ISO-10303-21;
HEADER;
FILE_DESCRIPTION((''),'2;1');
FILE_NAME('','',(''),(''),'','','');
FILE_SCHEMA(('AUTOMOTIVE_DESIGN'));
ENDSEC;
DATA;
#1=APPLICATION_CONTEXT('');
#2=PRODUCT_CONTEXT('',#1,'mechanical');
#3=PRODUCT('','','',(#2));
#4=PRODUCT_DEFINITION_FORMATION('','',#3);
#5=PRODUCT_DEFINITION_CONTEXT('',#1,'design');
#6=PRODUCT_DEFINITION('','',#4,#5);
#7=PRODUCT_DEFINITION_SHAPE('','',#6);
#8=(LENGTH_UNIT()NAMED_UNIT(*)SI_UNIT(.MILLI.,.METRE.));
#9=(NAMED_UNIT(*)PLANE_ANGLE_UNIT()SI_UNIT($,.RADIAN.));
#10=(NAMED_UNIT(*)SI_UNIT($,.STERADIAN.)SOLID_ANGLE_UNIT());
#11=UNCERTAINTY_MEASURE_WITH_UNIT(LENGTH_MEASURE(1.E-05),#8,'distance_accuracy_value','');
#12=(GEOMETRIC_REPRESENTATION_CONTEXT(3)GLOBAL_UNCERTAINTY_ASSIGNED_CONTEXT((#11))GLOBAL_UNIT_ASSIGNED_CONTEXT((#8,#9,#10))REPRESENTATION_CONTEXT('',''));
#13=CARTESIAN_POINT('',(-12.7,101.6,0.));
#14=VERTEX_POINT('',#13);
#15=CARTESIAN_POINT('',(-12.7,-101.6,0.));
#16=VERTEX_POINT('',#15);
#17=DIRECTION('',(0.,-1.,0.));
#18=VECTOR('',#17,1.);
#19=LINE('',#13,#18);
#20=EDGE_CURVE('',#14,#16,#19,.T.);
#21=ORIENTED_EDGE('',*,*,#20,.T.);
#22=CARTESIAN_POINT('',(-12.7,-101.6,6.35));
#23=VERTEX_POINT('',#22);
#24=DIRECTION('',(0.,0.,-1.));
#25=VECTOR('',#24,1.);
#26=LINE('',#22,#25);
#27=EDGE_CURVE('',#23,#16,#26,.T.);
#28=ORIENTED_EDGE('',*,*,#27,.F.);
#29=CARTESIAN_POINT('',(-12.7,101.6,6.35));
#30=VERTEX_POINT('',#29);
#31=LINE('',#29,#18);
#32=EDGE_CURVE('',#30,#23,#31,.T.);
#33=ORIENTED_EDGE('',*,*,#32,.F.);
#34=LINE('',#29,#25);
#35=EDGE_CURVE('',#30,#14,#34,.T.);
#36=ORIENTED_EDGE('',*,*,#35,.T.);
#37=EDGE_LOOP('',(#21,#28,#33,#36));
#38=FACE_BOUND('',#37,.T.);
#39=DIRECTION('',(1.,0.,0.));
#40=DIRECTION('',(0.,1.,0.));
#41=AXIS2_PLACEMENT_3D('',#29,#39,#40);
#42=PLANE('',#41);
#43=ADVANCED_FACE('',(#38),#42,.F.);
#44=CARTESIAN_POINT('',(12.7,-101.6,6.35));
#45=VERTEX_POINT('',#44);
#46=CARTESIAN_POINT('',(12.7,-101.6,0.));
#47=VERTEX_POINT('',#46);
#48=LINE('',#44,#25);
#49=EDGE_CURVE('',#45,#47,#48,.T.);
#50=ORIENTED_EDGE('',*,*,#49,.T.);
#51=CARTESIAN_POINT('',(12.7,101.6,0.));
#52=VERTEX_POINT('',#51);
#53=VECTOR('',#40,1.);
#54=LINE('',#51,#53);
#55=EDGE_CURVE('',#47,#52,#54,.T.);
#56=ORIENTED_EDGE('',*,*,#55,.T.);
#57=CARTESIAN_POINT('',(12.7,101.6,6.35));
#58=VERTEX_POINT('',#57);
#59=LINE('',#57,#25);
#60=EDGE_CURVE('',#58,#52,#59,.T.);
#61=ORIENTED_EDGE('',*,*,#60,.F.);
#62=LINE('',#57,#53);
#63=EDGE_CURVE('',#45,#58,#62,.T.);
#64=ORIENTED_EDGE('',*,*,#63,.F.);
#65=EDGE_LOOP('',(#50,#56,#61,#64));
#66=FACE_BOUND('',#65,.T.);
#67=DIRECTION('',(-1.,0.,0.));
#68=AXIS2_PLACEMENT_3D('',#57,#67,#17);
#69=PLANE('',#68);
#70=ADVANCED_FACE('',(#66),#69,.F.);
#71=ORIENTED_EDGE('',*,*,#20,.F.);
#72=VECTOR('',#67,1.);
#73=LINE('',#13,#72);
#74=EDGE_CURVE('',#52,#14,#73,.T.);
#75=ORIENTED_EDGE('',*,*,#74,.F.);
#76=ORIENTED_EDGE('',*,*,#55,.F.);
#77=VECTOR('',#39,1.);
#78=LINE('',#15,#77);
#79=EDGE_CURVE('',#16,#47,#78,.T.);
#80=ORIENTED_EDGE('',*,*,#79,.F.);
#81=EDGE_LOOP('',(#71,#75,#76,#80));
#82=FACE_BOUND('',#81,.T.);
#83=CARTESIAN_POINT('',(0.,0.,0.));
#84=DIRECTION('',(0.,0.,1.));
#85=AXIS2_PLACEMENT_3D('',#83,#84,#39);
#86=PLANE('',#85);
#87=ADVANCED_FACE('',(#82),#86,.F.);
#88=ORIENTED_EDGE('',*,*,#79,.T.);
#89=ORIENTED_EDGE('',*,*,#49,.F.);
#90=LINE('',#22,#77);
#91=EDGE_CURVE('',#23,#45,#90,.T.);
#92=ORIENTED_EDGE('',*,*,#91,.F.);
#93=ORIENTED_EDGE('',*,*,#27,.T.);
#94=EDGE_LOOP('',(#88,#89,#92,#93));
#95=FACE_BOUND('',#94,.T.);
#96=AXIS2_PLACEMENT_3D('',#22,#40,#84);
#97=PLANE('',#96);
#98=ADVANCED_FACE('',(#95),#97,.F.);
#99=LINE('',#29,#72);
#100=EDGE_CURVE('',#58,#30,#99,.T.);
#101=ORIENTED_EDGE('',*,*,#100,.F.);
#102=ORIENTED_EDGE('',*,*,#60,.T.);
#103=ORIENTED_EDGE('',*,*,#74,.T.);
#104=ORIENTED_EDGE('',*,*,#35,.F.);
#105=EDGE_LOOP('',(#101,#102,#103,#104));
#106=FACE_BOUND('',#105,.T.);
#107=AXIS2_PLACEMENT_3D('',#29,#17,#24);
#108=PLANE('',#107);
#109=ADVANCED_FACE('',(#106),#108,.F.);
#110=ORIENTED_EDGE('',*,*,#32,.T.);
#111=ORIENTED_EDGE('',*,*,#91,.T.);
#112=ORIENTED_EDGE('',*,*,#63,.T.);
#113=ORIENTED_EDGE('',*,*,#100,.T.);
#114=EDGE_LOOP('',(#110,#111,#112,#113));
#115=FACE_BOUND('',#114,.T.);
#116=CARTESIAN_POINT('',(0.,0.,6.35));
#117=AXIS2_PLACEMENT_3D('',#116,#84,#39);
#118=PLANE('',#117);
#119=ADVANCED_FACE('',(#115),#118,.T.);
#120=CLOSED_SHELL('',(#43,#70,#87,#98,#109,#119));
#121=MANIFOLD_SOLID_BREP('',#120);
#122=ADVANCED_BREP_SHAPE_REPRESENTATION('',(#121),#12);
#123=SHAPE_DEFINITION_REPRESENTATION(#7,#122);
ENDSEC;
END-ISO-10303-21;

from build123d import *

# Parameters (mm, degrees)
ESQUISSE1_W        = 25.4
ESQUISSE1_H        = 203.2
BOSS_EXTRU_1_DEPTH = 6.35


with BuildPart() as part:
    # Esquisse1 → Boss.-Extru.1 (new body)
    with BuildSketch(Plane.XY):
        Rectangle(ESQUISSE1_W, ESQUISSE1_H)
    extrude(amount=BOSS_EXTRU_1_DEPTH)


solid = part.part
